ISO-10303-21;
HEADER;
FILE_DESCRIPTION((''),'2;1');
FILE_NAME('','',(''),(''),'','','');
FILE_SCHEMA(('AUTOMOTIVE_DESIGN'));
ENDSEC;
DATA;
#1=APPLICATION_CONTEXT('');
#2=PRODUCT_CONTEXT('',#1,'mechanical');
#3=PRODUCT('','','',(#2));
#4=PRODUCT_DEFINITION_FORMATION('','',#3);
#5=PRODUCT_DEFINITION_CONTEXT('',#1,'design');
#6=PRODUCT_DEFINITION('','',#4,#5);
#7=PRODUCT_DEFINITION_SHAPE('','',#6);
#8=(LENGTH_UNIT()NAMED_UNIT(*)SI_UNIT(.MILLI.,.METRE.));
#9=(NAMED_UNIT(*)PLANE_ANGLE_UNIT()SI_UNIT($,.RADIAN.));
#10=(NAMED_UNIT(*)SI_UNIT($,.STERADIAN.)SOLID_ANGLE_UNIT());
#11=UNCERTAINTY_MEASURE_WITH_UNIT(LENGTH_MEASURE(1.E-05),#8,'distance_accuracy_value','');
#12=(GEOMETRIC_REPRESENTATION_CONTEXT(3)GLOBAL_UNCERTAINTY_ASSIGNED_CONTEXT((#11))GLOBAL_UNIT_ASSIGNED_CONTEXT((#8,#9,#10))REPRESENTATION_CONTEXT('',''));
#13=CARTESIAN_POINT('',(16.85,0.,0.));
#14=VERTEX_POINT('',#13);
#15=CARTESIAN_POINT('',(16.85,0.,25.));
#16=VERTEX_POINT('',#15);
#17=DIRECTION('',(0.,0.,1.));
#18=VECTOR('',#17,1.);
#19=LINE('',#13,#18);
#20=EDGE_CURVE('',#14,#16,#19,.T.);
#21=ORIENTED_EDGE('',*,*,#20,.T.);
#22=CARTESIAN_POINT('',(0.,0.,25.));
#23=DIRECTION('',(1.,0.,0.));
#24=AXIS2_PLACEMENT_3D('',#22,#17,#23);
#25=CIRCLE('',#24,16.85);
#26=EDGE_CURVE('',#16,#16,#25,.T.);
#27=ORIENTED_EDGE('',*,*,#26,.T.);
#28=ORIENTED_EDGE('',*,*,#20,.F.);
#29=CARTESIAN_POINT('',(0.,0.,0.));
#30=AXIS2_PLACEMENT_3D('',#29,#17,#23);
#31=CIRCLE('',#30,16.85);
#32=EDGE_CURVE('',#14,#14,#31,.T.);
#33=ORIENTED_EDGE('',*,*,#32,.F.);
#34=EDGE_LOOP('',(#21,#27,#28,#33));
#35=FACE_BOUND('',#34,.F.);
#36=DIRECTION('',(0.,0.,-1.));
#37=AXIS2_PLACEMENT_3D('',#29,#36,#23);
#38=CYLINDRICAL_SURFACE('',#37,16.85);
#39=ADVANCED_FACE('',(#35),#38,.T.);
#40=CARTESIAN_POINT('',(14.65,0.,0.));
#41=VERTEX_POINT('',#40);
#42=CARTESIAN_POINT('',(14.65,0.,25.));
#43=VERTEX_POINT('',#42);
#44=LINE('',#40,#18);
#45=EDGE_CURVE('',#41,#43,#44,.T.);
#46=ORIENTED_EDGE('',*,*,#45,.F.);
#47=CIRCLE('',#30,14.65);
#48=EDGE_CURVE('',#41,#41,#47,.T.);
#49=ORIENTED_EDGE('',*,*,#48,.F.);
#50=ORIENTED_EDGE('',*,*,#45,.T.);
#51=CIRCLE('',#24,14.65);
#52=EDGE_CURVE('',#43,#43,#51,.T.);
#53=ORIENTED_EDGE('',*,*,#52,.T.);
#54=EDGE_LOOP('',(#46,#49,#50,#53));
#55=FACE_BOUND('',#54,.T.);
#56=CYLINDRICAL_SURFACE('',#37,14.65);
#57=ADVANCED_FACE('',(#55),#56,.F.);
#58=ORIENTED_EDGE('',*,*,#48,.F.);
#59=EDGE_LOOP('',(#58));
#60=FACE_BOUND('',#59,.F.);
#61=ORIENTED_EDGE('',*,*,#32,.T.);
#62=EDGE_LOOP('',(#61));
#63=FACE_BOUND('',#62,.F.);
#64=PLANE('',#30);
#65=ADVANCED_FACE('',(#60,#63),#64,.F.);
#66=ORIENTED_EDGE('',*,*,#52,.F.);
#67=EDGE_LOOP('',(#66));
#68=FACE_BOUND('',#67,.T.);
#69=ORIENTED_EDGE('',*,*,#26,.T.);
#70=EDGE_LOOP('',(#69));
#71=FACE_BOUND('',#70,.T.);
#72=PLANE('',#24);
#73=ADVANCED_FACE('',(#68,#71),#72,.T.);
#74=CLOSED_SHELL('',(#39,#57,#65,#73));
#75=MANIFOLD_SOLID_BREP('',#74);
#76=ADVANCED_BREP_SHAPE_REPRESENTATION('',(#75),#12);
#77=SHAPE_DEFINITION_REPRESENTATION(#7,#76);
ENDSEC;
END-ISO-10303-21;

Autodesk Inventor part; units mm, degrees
ref_plane "YZ Plane" through (0, 0, 0) normal (1, 0, 0) x (0, 1, 0)
ref_plane "XZ Plane" through (0, 0, 0) normal (0, 1, 0) x (-1, 0, 0)
ref_plane "XY Plane" through (0, 0, 0) normal (0, 0, 1) x (1, 0, 0)
sketch "Sketch1" plane through (0, 0, 0) normal (0, 0, 1) x (1, 0, 0)
  circle A0 centre (0, 0) radius 14.65
  circle A1 centre (0, 0) radius 16.85
  dimension "d0" = 29.3
  dimension "d1" = 33.7
extrude "Extrusion2" add sketch "Sketch1" along normal blind 25
properties part number "Circle_TestFit_V1"
